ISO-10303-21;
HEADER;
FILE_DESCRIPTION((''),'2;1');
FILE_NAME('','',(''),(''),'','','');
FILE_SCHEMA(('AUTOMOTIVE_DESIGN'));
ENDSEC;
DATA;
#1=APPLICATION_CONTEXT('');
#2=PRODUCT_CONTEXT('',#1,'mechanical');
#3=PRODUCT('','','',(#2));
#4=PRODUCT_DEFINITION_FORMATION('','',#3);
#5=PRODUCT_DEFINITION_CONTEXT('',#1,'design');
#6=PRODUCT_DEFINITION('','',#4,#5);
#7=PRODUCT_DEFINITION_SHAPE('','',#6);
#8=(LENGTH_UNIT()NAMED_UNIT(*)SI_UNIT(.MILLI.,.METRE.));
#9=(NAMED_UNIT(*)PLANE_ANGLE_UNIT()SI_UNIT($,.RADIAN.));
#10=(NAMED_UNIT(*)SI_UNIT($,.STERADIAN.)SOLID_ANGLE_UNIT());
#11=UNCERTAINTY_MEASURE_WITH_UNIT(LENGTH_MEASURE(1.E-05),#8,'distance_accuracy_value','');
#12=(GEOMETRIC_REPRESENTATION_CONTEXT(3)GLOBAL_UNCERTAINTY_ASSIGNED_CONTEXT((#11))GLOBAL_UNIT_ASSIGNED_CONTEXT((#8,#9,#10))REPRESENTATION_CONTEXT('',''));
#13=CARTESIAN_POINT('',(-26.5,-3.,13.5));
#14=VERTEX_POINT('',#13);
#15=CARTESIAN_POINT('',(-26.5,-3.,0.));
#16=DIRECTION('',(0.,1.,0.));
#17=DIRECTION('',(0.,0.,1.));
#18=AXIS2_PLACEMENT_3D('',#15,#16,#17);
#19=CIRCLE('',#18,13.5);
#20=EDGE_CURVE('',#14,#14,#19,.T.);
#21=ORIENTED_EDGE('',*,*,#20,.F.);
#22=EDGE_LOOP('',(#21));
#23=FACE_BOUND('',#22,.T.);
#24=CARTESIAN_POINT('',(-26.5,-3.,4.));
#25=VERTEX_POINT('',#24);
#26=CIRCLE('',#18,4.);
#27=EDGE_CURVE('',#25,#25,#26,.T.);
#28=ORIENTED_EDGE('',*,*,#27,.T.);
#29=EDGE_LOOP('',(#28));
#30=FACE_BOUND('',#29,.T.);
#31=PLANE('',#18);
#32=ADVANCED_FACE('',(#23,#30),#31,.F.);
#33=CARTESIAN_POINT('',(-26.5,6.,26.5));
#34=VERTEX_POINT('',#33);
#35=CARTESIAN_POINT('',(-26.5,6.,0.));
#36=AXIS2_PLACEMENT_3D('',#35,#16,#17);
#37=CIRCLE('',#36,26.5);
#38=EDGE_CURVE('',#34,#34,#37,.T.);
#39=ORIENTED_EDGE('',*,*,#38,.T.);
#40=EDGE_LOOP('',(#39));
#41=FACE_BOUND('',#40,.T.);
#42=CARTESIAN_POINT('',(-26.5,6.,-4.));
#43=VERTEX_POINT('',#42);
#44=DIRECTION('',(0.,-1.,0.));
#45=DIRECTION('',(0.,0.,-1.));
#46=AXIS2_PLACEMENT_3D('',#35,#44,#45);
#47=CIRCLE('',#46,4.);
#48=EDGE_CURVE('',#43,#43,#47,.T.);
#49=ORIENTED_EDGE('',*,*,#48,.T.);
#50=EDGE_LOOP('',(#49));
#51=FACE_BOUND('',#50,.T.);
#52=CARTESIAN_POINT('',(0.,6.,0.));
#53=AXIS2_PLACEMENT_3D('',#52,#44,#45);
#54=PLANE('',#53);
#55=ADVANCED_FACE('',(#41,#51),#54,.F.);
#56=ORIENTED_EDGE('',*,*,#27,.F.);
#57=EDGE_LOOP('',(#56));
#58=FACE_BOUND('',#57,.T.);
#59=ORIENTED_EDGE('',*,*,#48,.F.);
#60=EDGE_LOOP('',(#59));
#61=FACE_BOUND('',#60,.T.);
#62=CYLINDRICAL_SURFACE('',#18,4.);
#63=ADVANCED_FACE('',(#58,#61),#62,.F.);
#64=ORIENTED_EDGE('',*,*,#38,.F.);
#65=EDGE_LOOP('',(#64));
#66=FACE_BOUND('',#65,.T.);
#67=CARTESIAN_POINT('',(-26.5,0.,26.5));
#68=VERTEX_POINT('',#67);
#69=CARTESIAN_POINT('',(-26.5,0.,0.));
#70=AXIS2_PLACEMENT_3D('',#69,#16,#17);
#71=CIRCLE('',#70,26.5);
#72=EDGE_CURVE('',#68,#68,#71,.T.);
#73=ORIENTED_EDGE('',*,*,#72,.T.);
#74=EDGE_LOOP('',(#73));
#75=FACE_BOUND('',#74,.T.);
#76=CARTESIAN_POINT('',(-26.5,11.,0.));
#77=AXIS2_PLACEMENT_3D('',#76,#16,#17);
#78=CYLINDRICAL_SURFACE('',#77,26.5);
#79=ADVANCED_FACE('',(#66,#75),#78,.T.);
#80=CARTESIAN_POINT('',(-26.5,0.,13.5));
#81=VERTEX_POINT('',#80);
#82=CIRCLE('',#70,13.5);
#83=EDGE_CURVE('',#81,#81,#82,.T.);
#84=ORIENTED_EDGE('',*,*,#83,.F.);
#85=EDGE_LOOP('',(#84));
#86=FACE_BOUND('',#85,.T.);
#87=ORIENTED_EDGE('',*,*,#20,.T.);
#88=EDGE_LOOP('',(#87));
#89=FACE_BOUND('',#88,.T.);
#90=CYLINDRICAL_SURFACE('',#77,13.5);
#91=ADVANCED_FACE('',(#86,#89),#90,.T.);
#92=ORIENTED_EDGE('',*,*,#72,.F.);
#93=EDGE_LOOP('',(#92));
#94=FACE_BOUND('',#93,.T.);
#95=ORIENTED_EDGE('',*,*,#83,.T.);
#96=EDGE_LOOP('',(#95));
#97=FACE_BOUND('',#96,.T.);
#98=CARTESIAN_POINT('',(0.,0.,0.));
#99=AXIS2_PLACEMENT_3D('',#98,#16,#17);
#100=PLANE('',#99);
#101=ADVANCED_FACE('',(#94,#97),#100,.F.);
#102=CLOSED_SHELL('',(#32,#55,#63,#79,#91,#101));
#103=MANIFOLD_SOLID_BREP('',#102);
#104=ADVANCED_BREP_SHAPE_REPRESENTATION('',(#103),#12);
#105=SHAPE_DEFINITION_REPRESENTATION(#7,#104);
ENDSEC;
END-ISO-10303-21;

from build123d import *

# Parameters (mm, degrees)
CUT_EXTRUDE1_DEPTH      = 61.268150793
CUT_EXTRUDE1_DEPTH_BACK = 61.268150793
SKETCH4_R               = 4


with BuildPart() as part:
    # Sketch1 → Revolve1 (revolve)
    with BuildSketch(Plane.XY, mode=Mode.PRIVATE) as revolve1_sk:
        Polygon((0, 0), (0, 6), (-22.5, 6), (-22.5, 11), (-26.5, 11), (-26.5, -3), (-13, -3), (-13, 0), align=None)
    revolve(revolve1_sk.sketch.rotate(Axis((-26.5, 11, 0), (0, -1, 0)), 90), axis=Axis((-26.5, 11, 0), (0, -1, 0)))

    # Sketch4 → Cut-Extrude1 (cut, two sides: drawn at the far end of the back side and taken through both)
    with BuildSketch(Plane(origin=(0, 0, 0), x_dir=(1, 0, 0), z_dir=(0, 1, 0)).offset(-CUT_EXTRUDE1_DEPTH_BACK)):
        with Locations(Location((-26.5, 0, 0), (0, 0, 270))):
            Circle(SKETCH4_R)
    extrude(amount=CUT_EXTRUDE1_DEPTH + CUT_EXTRUDE1_DEPTH_BACK, mode=Mode.SUBTRACT)


solid = part.part
